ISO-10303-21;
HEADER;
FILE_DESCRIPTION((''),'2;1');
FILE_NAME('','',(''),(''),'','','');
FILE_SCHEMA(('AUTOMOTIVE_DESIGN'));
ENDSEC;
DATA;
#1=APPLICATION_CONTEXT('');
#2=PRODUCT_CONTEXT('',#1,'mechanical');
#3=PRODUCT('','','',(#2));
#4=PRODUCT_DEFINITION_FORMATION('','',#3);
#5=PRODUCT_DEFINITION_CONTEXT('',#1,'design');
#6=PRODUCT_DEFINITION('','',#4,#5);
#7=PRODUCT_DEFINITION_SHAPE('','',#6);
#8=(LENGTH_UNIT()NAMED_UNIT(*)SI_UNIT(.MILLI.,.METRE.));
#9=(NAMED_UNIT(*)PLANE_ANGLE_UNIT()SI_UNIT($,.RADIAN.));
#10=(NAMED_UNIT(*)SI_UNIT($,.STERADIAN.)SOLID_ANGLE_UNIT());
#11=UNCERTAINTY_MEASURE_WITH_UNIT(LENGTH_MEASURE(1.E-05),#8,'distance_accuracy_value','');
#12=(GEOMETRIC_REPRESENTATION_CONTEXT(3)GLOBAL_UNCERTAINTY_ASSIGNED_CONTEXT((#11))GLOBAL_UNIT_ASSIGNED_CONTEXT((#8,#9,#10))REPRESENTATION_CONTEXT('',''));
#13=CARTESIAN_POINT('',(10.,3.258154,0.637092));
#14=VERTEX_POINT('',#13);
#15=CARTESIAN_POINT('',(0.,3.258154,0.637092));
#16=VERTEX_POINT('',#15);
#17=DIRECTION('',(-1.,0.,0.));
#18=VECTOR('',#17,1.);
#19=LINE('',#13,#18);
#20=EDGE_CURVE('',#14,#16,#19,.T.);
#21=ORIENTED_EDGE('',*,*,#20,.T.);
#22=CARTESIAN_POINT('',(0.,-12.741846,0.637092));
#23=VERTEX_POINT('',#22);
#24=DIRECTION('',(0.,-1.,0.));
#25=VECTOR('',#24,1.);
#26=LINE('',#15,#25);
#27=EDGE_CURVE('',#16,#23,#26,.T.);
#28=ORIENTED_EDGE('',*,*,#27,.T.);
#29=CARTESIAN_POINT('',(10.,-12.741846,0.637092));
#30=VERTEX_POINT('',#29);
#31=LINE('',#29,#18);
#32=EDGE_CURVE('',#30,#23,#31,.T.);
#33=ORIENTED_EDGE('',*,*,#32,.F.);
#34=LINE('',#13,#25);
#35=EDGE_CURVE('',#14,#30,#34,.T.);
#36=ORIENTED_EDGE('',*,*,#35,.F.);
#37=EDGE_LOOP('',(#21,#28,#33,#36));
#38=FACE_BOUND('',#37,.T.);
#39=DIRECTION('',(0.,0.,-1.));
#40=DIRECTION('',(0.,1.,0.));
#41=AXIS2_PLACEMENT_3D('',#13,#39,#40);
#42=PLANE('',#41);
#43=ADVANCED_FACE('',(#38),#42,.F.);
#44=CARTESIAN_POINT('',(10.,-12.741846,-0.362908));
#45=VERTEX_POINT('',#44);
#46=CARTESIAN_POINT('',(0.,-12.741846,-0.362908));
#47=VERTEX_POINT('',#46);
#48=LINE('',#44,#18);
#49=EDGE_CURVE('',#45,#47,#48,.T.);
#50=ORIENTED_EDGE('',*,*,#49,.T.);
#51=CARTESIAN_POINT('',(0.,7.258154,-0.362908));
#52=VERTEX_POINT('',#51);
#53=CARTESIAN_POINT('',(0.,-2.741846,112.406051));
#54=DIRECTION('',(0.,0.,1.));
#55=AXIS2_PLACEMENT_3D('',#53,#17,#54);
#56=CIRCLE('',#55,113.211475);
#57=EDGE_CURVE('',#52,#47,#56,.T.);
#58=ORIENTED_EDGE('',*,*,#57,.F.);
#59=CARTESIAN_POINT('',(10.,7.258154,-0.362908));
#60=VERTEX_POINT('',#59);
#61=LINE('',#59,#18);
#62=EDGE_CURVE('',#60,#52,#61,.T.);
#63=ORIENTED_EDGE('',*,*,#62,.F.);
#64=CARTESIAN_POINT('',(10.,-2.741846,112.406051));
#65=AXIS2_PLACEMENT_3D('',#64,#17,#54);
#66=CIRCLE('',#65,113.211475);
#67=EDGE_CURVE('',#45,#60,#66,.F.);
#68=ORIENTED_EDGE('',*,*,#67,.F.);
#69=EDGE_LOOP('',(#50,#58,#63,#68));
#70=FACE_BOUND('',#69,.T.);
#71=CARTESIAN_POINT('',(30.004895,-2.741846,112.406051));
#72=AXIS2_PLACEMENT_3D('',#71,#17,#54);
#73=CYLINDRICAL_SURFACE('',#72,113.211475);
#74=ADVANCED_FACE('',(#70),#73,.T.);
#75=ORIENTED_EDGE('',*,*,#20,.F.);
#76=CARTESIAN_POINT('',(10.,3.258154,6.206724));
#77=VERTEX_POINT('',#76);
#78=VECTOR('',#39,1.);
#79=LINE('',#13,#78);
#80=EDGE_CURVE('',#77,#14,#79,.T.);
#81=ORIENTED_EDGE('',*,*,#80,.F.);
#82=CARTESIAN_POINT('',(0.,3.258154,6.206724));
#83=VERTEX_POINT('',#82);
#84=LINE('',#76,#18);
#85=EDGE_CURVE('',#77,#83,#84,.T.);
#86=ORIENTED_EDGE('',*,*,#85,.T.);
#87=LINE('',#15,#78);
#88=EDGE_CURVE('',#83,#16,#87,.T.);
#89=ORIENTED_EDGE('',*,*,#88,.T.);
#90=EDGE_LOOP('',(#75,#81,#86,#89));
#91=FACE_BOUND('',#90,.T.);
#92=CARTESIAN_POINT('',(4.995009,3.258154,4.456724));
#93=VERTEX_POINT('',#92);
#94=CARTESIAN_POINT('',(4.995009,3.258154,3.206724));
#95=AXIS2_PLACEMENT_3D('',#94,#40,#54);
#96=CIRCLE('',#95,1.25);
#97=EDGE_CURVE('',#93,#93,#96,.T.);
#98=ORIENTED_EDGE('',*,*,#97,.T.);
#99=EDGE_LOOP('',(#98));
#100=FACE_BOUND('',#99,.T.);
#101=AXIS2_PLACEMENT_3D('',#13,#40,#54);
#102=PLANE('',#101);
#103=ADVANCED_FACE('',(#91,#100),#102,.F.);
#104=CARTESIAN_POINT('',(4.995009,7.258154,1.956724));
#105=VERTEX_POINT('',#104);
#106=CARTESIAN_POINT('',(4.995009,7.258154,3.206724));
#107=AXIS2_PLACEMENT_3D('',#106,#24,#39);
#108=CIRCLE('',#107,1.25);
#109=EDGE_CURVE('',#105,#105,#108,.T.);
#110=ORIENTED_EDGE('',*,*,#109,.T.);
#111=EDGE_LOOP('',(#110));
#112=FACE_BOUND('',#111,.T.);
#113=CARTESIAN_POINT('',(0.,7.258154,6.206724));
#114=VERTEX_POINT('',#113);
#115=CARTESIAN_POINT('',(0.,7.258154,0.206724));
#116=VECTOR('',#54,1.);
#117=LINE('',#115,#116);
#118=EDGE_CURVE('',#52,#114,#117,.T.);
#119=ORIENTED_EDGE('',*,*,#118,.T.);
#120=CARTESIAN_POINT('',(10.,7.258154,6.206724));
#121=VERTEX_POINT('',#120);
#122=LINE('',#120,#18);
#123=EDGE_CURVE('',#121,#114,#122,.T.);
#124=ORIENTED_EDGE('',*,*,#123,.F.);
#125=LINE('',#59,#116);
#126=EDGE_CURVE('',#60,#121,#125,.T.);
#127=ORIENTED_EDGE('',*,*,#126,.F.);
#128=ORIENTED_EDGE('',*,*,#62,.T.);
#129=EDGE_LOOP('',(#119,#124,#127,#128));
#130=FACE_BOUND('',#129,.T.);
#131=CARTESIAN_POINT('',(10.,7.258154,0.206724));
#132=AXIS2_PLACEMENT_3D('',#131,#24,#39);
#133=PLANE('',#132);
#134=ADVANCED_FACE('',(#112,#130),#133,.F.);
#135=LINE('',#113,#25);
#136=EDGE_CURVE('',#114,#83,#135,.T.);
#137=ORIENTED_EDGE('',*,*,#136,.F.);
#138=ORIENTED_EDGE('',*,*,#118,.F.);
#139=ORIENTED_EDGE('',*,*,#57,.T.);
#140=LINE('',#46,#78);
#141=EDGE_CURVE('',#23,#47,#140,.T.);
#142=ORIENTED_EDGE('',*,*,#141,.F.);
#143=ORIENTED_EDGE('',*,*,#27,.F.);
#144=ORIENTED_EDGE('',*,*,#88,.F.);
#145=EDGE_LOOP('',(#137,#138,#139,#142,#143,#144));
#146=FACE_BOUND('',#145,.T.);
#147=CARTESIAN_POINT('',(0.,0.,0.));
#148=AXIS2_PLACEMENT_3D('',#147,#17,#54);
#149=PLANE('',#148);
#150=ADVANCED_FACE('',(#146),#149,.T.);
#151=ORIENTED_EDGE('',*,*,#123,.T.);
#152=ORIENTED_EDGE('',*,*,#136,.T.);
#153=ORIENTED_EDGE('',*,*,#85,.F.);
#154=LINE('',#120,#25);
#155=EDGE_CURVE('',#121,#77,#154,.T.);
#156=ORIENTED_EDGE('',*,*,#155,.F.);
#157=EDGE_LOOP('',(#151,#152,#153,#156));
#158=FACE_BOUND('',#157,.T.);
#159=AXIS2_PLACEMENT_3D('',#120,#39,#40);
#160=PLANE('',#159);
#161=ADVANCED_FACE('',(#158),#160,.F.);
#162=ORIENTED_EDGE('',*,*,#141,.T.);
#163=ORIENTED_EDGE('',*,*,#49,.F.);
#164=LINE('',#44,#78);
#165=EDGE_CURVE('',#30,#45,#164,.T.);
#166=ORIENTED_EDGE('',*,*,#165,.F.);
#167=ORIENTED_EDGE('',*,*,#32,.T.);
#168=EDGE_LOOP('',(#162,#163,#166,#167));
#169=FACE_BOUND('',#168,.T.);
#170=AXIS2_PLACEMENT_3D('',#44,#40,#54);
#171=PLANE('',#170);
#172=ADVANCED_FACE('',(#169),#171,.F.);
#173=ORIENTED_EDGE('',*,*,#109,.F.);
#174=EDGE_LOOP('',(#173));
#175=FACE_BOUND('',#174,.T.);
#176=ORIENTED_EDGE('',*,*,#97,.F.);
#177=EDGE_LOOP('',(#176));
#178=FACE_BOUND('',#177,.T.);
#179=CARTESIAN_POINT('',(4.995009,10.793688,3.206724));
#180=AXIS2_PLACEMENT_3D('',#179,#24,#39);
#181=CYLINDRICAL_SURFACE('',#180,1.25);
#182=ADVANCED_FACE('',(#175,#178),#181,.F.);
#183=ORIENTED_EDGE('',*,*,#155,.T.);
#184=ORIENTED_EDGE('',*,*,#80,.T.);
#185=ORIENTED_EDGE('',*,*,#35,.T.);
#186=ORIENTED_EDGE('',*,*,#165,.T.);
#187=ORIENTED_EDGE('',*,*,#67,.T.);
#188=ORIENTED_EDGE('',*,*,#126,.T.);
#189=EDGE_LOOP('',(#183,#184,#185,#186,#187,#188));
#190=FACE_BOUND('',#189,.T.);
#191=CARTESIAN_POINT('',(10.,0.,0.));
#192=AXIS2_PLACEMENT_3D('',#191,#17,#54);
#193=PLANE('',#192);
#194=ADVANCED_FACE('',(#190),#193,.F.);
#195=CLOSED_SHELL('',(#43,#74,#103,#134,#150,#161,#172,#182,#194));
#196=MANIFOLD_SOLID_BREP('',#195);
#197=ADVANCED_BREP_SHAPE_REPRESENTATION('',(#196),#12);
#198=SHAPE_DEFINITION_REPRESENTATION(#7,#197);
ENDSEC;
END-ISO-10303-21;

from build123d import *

# Parameters (mm, degrees)
BOSS_EXTRUDE1_DEPTH = 10
SKETCH2_R           = 1.25
CUT_EXTRUDE1_DEPTH  = 4
BOSS_EXTRUDE4_DEPTH = 10


with BuildPart() as part:
    # Sketch1 → Boss-Extrude1 (new body)
    with BuildSketch(Plane(origin=(0, 0, 0), x_dir=(0, 0, -1), z_dir=(1, 0, 0))):
        Polygon((0.362907695, 7.258153898), (-0.206723569, 7.258153898), (-6.206723569, 7.258153898), (-6.206723569, 3.258153898), (-0.637092305, 3.258153898), (-0.637092305, -12.741846102), (0.362907695, -12.741846102), align=None)
    extrude(amount=BOSS_EXTRUDE1_DEPTH)

    # Sketch2 → Cut-Extrude1 (cut)
    with BuildSketch(Plane(origin=(0, 3.258153898, 0), x_dir=(1, 0, 0), z_dir=(0, 1, 0))):
        with Locations((4.995009197, -3.206723569)):
            Circle(SKETCH2_R)
    extrude(amount=CUT_EXTRUDE1_DEPTH, mode=Mode.SUBTRACT)

    # Sketch5 → Boss-Extrude4 (add)
    with BuildSketch(Plane.ZY):
        with BuildLine():
            Line((-0.362907695, -12.741846102), (-0.362907695, 7.258153898))
            ThreePointArc((-0.362907695, 7.258153898), (-0.805423884, -2.741846102), (-0.362907695, -12.741846102))
        make_face()
    extrude(amount=-BOSS_EXTRUDE4_DEPTH)


solid = part.part
